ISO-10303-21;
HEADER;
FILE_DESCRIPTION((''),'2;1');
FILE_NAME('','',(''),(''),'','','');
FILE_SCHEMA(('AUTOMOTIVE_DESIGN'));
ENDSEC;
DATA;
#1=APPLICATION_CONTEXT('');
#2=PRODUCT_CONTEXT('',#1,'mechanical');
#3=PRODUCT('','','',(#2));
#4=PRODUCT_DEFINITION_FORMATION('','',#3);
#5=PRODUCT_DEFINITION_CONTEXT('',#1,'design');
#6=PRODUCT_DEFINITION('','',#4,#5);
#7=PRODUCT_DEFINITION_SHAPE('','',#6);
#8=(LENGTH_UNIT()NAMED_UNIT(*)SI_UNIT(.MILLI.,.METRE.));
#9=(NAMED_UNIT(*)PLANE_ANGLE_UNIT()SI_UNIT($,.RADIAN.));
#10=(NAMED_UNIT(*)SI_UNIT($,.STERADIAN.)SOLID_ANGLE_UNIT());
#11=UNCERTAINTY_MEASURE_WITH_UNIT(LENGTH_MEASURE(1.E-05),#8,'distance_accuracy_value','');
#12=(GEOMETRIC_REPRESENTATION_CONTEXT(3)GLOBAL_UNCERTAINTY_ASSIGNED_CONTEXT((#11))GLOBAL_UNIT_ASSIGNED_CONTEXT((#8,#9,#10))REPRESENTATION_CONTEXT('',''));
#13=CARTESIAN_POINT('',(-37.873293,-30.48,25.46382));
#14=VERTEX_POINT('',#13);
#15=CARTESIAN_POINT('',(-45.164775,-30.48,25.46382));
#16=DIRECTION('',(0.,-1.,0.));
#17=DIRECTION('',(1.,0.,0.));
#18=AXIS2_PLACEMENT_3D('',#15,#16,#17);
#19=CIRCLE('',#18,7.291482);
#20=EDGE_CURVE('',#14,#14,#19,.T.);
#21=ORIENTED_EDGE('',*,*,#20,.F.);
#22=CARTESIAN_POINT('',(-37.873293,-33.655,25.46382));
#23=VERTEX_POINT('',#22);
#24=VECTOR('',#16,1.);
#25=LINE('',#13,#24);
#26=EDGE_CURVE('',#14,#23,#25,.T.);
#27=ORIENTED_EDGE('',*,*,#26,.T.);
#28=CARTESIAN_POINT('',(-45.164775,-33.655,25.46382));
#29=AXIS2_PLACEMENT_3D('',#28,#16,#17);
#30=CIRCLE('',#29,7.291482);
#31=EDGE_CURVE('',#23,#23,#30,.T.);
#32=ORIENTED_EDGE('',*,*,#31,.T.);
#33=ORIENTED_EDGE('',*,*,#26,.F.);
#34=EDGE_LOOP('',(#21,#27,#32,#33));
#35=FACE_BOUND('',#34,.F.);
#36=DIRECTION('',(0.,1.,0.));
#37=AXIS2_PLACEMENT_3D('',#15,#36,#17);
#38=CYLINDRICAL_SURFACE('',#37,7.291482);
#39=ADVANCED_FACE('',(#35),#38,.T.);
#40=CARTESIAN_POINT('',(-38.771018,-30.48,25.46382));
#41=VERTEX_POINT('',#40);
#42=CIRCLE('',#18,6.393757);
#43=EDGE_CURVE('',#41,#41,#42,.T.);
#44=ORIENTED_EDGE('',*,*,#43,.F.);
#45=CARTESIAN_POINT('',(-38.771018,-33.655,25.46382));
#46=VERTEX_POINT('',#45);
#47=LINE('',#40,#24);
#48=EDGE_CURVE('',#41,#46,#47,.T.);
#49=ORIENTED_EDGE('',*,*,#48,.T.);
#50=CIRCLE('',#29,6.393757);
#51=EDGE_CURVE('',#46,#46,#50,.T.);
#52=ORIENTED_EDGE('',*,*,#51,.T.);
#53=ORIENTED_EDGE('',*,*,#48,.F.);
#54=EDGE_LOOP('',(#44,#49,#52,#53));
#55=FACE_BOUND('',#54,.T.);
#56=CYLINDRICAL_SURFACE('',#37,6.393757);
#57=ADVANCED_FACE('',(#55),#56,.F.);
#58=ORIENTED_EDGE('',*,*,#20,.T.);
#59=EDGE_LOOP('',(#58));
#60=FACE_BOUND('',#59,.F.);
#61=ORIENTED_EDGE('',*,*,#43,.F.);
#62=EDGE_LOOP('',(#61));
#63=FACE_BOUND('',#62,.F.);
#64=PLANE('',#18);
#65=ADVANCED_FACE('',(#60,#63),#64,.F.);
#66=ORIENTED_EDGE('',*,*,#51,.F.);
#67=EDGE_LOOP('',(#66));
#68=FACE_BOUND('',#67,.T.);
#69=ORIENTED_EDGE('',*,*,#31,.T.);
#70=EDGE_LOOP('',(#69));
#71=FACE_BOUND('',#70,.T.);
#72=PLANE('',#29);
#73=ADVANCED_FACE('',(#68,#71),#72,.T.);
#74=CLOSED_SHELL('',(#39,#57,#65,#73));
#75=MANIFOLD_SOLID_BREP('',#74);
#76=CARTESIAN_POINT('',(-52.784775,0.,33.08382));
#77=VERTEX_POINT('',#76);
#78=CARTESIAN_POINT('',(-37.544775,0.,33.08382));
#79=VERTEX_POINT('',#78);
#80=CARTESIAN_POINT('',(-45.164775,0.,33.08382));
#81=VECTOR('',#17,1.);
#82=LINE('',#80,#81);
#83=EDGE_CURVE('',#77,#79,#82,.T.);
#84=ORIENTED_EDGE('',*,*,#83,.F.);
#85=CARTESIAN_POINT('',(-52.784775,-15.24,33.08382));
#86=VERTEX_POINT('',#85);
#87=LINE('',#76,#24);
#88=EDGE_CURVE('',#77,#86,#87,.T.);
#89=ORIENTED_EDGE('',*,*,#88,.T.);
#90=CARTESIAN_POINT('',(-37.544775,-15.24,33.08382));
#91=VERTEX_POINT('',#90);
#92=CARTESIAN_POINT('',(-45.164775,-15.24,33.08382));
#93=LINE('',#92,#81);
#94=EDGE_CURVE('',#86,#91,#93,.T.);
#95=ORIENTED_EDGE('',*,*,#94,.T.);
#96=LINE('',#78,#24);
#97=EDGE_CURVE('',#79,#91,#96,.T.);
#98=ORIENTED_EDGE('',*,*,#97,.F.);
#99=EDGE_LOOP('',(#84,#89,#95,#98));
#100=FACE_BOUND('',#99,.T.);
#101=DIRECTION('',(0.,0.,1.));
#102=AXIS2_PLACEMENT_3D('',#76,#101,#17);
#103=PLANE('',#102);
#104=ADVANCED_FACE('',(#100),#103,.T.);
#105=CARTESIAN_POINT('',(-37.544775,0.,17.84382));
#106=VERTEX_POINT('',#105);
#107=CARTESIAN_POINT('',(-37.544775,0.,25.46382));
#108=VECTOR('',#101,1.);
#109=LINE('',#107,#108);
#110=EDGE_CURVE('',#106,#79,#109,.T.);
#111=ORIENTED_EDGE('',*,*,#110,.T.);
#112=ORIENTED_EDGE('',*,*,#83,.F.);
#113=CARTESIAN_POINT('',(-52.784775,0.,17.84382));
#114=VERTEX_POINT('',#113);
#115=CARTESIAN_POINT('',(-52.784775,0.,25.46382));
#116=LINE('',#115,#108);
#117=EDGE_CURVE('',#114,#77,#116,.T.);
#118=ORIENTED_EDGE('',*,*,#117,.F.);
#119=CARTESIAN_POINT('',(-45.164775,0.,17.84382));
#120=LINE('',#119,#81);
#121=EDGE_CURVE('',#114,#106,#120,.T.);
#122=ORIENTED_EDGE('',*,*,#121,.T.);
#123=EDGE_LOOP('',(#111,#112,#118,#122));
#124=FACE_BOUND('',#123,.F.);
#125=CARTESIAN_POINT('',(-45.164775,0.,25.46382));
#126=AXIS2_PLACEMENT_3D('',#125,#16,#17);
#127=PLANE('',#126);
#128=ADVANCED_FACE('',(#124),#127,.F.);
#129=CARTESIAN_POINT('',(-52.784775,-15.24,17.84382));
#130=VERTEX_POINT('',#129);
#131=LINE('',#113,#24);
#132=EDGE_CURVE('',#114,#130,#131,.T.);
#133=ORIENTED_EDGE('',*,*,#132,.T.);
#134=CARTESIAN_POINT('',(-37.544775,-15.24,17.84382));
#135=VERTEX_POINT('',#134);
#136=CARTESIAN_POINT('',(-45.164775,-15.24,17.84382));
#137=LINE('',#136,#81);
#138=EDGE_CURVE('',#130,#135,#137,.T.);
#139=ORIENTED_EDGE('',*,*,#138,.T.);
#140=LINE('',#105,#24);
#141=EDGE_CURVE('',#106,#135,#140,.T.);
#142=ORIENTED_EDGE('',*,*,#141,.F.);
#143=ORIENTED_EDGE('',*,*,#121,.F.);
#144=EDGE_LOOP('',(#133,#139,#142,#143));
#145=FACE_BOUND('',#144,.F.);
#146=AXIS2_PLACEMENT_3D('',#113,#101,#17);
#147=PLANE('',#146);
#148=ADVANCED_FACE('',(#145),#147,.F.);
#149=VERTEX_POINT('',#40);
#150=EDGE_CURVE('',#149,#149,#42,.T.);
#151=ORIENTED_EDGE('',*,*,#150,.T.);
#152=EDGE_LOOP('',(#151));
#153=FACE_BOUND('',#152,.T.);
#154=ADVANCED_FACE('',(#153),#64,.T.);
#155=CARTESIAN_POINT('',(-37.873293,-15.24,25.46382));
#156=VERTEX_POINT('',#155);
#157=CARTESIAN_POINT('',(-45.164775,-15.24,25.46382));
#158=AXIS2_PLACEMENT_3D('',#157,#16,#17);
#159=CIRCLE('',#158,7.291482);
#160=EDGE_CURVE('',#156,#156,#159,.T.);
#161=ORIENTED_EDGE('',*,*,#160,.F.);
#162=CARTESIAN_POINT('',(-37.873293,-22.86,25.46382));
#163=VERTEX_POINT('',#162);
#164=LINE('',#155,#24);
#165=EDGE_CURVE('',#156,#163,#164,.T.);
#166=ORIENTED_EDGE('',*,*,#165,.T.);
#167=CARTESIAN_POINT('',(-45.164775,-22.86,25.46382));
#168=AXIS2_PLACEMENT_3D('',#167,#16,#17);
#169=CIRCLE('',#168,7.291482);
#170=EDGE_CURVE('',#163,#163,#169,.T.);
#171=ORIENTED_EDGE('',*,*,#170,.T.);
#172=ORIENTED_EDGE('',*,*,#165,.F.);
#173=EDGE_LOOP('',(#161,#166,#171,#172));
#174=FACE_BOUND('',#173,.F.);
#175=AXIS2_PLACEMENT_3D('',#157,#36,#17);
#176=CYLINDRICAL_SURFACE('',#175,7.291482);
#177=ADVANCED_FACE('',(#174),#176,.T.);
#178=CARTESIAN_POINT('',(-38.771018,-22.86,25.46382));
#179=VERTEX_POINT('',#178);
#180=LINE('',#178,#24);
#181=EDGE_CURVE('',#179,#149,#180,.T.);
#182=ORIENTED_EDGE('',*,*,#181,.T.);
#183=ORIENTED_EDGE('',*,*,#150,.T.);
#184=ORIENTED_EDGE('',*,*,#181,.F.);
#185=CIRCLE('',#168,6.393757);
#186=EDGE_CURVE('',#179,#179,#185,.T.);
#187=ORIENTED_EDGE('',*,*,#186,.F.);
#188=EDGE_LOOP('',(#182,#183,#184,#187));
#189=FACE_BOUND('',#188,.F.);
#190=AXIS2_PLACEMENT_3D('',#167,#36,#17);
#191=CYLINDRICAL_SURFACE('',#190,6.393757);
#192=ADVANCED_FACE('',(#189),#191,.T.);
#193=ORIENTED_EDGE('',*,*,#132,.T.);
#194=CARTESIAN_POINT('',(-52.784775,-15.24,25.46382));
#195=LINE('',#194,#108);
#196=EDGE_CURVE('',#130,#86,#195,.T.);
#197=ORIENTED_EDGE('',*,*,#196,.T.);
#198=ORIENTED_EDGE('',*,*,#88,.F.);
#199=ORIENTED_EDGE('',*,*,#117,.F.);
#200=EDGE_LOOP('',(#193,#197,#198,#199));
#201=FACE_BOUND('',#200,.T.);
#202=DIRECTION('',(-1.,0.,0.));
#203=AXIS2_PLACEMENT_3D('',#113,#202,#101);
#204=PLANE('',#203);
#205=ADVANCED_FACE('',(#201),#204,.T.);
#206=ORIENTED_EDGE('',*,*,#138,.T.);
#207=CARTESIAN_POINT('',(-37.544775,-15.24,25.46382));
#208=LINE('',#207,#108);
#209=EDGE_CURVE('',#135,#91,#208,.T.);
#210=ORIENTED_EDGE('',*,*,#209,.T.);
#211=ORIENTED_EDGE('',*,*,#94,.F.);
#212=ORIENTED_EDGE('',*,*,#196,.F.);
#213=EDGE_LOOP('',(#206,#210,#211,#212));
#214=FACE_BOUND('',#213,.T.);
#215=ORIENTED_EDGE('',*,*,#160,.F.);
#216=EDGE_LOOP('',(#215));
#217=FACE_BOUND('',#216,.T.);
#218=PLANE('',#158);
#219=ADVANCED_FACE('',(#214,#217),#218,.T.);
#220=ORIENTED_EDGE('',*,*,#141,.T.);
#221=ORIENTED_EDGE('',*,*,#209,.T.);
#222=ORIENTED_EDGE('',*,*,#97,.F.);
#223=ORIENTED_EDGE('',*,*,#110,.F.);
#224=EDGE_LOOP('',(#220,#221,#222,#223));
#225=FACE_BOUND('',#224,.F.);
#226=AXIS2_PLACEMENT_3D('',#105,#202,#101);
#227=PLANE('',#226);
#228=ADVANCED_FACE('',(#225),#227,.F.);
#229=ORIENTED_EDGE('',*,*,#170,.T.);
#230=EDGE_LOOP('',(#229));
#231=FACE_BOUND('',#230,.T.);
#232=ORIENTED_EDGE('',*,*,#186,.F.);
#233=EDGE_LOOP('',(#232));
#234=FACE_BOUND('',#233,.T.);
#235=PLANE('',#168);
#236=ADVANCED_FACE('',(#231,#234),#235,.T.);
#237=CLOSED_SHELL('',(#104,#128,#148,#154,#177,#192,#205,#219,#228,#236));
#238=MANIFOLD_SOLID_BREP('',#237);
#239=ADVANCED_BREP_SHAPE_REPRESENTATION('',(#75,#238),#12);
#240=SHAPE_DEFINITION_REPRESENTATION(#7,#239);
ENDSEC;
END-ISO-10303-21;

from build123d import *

# Parameters (mm, degrees)
F0_W     = 15.24
F0_H     = 15.24
F1_DEPTH = 15.24
F2_R     = 7.291482
F3_DEPTH = 7.62
F4_R     = 6.393757
F5_DEPTH = 7.62
F6_R     = 7.291482
F6_R_2   = 6.393757
F7_DEPTH = 3.175


with BuildPart() as f1:
    # F0 (on Front) → F1 (new body)
    with BuildSketch(Plane.XZ):
        with Locations((-45.164775, 25.46382)):
            Rectangle(F0_W, F0_H)
    extrude(amount=F1_DEPTH)

    # F2 (on face) → F3 (join)
    with BuildSketch(Plane.XZ.offset(15.24)):
        with Locations((-45.164775, 25.46382)):
            Circle(F2_R)
    extrude(amount=F3_DEPTH)

    # F4 (on face) → F5 (join)
    with BuildSketch(Plane.XZ.offset(22.86)):
        with Locations((-45.164775, 25.46382)):
            Circle(F4_R)
    extrude(amount=F5_DEPTH)


with BuildPart() as f7:
    # F6 (on face) → F7 (new body)
    with BuildSketch(Plane.XZ.offset(30.48)):
        with Locations((-45.164775, 25.46382)):
            Circle(F6_R)
        with Locations((-45.164775, 25.46382)):
            Circle(F6_R_2, mode=Mode.SUBTRACT)
    extrude(amount=F7_DEPTH)


solid = Compound([f1.part, f7.part])
